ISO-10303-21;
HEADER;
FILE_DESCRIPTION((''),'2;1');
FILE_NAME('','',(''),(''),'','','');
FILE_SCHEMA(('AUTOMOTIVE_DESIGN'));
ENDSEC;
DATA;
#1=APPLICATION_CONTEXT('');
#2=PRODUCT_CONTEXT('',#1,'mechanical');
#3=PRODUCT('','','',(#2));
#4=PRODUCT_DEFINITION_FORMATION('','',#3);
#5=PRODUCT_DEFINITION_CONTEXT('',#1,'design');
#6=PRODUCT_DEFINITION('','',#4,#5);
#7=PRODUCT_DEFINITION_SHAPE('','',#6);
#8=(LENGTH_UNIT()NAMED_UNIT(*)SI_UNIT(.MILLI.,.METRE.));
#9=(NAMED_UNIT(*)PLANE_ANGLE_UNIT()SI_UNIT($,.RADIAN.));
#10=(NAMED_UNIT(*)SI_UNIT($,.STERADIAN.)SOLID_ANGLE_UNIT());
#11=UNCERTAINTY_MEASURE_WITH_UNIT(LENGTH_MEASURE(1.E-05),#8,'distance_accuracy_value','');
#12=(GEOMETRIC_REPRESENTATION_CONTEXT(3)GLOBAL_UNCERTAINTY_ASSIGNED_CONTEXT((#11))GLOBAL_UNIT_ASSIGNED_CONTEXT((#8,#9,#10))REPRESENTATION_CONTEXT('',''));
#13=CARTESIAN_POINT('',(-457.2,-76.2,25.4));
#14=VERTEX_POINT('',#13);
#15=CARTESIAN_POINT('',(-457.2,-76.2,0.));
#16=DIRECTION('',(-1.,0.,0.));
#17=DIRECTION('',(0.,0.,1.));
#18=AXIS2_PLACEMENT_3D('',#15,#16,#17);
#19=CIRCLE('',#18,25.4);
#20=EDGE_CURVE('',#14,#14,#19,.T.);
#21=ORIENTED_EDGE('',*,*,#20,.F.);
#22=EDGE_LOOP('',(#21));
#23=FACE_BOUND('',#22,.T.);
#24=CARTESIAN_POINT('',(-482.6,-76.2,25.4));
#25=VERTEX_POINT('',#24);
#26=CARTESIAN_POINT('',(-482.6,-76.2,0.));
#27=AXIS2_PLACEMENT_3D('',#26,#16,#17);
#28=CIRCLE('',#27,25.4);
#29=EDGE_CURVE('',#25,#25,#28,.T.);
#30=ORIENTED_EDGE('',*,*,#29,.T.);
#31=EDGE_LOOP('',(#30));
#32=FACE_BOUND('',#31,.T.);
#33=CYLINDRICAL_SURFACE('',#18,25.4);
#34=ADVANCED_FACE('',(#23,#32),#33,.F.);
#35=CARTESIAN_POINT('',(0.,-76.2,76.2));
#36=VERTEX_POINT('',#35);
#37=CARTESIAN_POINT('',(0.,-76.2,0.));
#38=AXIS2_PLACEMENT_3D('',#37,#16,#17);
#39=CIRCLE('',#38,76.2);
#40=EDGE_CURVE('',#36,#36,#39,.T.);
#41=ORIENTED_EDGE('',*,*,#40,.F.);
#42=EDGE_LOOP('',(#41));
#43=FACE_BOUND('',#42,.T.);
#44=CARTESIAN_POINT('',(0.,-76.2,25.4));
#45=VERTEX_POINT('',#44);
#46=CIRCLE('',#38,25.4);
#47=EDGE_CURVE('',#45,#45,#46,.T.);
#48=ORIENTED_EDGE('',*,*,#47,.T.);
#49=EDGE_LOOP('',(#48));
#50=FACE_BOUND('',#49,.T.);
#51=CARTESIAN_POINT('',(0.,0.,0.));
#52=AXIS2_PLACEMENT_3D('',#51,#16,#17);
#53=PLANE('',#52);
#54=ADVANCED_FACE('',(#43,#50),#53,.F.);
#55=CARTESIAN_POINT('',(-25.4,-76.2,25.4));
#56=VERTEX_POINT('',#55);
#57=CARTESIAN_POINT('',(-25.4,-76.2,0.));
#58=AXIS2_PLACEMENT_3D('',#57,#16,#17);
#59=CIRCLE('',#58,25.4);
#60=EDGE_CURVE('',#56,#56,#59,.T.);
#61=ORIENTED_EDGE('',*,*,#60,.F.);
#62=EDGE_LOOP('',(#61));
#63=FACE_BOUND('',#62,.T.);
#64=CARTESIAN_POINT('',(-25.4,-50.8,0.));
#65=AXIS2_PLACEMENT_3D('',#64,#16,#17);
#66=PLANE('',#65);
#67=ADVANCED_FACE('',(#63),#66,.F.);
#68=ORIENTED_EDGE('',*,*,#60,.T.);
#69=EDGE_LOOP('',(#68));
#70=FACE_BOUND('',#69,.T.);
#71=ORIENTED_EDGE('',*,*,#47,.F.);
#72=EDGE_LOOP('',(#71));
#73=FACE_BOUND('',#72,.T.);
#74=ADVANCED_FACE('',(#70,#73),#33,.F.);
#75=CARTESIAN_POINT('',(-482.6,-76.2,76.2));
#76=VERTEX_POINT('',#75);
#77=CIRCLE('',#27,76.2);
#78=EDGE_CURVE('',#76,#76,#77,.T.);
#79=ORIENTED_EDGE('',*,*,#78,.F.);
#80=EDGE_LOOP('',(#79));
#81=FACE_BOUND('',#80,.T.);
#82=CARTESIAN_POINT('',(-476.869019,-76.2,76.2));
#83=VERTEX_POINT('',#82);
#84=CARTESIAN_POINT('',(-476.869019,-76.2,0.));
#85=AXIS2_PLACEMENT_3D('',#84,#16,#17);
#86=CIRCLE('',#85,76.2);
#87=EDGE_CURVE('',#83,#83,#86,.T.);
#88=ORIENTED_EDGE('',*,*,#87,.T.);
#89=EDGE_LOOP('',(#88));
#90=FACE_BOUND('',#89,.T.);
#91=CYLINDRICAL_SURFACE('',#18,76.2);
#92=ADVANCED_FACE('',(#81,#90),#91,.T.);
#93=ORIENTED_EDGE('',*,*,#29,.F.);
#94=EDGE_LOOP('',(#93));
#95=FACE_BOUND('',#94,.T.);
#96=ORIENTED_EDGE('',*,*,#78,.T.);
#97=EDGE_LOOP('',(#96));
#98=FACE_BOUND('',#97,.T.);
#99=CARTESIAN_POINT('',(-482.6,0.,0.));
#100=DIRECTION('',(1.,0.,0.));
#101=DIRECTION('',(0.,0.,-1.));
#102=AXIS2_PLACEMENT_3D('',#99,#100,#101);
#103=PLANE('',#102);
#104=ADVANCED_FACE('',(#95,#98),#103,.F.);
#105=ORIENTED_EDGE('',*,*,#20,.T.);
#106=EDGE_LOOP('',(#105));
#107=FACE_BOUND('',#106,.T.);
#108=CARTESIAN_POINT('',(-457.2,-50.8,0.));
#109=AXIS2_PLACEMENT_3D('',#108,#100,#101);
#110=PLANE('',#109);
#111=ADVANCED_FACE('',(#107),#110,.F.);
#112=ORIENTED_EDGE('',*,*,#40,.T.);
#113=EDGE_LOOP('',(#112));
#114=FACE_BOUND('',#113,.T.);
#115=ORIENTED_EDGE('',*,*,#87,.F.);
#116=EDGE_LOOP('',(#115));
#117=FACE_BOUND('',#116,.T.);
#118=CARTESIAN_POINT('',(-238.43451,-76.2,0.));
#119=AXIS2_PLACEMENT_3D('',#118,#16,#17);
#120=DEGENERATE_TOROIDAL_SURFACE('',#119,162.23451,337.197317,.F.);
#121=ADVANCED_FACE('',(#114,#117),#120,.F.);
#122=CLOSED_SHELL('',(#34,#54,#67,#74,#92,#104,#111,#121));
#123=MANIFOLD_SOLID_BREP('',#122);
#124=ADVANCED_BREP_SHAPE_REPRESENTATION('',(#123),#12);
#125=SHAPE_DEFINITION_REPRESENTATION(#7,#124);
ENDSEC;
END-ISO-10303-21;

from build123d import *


with BuildPart() as part:
    # Sketch1 → Revolve1 (revolve)
    with BuildSketch(Plane.XY):
        with BuildLine():
            Line((-482.6, 0), (-482.6, -50.8))
            Line((-482.6, -50.8), (-457.2, -50.8))
            Line((-457.2, -50.8), (-457.2, -76.2))
            Line((-457.2, -76.2), (-25.4, -76.2))
            Line((-25.4, -76.2), (-25.4, -50.8))
            Line((-25.4, -50.8), (0, -50.8))
            Line((0, -50.8), (0, 0))
            ThreePointArc((0, 0), (-238.434509563, 98.762807599), (-476.869019126, 0))
            Line((-476.869019126, 0), (-482.6, 0))
        make_face()
    revolve(axis=Axis((-457.2, -76.2, 0), (1, 0, 0)))


solid = part.part
